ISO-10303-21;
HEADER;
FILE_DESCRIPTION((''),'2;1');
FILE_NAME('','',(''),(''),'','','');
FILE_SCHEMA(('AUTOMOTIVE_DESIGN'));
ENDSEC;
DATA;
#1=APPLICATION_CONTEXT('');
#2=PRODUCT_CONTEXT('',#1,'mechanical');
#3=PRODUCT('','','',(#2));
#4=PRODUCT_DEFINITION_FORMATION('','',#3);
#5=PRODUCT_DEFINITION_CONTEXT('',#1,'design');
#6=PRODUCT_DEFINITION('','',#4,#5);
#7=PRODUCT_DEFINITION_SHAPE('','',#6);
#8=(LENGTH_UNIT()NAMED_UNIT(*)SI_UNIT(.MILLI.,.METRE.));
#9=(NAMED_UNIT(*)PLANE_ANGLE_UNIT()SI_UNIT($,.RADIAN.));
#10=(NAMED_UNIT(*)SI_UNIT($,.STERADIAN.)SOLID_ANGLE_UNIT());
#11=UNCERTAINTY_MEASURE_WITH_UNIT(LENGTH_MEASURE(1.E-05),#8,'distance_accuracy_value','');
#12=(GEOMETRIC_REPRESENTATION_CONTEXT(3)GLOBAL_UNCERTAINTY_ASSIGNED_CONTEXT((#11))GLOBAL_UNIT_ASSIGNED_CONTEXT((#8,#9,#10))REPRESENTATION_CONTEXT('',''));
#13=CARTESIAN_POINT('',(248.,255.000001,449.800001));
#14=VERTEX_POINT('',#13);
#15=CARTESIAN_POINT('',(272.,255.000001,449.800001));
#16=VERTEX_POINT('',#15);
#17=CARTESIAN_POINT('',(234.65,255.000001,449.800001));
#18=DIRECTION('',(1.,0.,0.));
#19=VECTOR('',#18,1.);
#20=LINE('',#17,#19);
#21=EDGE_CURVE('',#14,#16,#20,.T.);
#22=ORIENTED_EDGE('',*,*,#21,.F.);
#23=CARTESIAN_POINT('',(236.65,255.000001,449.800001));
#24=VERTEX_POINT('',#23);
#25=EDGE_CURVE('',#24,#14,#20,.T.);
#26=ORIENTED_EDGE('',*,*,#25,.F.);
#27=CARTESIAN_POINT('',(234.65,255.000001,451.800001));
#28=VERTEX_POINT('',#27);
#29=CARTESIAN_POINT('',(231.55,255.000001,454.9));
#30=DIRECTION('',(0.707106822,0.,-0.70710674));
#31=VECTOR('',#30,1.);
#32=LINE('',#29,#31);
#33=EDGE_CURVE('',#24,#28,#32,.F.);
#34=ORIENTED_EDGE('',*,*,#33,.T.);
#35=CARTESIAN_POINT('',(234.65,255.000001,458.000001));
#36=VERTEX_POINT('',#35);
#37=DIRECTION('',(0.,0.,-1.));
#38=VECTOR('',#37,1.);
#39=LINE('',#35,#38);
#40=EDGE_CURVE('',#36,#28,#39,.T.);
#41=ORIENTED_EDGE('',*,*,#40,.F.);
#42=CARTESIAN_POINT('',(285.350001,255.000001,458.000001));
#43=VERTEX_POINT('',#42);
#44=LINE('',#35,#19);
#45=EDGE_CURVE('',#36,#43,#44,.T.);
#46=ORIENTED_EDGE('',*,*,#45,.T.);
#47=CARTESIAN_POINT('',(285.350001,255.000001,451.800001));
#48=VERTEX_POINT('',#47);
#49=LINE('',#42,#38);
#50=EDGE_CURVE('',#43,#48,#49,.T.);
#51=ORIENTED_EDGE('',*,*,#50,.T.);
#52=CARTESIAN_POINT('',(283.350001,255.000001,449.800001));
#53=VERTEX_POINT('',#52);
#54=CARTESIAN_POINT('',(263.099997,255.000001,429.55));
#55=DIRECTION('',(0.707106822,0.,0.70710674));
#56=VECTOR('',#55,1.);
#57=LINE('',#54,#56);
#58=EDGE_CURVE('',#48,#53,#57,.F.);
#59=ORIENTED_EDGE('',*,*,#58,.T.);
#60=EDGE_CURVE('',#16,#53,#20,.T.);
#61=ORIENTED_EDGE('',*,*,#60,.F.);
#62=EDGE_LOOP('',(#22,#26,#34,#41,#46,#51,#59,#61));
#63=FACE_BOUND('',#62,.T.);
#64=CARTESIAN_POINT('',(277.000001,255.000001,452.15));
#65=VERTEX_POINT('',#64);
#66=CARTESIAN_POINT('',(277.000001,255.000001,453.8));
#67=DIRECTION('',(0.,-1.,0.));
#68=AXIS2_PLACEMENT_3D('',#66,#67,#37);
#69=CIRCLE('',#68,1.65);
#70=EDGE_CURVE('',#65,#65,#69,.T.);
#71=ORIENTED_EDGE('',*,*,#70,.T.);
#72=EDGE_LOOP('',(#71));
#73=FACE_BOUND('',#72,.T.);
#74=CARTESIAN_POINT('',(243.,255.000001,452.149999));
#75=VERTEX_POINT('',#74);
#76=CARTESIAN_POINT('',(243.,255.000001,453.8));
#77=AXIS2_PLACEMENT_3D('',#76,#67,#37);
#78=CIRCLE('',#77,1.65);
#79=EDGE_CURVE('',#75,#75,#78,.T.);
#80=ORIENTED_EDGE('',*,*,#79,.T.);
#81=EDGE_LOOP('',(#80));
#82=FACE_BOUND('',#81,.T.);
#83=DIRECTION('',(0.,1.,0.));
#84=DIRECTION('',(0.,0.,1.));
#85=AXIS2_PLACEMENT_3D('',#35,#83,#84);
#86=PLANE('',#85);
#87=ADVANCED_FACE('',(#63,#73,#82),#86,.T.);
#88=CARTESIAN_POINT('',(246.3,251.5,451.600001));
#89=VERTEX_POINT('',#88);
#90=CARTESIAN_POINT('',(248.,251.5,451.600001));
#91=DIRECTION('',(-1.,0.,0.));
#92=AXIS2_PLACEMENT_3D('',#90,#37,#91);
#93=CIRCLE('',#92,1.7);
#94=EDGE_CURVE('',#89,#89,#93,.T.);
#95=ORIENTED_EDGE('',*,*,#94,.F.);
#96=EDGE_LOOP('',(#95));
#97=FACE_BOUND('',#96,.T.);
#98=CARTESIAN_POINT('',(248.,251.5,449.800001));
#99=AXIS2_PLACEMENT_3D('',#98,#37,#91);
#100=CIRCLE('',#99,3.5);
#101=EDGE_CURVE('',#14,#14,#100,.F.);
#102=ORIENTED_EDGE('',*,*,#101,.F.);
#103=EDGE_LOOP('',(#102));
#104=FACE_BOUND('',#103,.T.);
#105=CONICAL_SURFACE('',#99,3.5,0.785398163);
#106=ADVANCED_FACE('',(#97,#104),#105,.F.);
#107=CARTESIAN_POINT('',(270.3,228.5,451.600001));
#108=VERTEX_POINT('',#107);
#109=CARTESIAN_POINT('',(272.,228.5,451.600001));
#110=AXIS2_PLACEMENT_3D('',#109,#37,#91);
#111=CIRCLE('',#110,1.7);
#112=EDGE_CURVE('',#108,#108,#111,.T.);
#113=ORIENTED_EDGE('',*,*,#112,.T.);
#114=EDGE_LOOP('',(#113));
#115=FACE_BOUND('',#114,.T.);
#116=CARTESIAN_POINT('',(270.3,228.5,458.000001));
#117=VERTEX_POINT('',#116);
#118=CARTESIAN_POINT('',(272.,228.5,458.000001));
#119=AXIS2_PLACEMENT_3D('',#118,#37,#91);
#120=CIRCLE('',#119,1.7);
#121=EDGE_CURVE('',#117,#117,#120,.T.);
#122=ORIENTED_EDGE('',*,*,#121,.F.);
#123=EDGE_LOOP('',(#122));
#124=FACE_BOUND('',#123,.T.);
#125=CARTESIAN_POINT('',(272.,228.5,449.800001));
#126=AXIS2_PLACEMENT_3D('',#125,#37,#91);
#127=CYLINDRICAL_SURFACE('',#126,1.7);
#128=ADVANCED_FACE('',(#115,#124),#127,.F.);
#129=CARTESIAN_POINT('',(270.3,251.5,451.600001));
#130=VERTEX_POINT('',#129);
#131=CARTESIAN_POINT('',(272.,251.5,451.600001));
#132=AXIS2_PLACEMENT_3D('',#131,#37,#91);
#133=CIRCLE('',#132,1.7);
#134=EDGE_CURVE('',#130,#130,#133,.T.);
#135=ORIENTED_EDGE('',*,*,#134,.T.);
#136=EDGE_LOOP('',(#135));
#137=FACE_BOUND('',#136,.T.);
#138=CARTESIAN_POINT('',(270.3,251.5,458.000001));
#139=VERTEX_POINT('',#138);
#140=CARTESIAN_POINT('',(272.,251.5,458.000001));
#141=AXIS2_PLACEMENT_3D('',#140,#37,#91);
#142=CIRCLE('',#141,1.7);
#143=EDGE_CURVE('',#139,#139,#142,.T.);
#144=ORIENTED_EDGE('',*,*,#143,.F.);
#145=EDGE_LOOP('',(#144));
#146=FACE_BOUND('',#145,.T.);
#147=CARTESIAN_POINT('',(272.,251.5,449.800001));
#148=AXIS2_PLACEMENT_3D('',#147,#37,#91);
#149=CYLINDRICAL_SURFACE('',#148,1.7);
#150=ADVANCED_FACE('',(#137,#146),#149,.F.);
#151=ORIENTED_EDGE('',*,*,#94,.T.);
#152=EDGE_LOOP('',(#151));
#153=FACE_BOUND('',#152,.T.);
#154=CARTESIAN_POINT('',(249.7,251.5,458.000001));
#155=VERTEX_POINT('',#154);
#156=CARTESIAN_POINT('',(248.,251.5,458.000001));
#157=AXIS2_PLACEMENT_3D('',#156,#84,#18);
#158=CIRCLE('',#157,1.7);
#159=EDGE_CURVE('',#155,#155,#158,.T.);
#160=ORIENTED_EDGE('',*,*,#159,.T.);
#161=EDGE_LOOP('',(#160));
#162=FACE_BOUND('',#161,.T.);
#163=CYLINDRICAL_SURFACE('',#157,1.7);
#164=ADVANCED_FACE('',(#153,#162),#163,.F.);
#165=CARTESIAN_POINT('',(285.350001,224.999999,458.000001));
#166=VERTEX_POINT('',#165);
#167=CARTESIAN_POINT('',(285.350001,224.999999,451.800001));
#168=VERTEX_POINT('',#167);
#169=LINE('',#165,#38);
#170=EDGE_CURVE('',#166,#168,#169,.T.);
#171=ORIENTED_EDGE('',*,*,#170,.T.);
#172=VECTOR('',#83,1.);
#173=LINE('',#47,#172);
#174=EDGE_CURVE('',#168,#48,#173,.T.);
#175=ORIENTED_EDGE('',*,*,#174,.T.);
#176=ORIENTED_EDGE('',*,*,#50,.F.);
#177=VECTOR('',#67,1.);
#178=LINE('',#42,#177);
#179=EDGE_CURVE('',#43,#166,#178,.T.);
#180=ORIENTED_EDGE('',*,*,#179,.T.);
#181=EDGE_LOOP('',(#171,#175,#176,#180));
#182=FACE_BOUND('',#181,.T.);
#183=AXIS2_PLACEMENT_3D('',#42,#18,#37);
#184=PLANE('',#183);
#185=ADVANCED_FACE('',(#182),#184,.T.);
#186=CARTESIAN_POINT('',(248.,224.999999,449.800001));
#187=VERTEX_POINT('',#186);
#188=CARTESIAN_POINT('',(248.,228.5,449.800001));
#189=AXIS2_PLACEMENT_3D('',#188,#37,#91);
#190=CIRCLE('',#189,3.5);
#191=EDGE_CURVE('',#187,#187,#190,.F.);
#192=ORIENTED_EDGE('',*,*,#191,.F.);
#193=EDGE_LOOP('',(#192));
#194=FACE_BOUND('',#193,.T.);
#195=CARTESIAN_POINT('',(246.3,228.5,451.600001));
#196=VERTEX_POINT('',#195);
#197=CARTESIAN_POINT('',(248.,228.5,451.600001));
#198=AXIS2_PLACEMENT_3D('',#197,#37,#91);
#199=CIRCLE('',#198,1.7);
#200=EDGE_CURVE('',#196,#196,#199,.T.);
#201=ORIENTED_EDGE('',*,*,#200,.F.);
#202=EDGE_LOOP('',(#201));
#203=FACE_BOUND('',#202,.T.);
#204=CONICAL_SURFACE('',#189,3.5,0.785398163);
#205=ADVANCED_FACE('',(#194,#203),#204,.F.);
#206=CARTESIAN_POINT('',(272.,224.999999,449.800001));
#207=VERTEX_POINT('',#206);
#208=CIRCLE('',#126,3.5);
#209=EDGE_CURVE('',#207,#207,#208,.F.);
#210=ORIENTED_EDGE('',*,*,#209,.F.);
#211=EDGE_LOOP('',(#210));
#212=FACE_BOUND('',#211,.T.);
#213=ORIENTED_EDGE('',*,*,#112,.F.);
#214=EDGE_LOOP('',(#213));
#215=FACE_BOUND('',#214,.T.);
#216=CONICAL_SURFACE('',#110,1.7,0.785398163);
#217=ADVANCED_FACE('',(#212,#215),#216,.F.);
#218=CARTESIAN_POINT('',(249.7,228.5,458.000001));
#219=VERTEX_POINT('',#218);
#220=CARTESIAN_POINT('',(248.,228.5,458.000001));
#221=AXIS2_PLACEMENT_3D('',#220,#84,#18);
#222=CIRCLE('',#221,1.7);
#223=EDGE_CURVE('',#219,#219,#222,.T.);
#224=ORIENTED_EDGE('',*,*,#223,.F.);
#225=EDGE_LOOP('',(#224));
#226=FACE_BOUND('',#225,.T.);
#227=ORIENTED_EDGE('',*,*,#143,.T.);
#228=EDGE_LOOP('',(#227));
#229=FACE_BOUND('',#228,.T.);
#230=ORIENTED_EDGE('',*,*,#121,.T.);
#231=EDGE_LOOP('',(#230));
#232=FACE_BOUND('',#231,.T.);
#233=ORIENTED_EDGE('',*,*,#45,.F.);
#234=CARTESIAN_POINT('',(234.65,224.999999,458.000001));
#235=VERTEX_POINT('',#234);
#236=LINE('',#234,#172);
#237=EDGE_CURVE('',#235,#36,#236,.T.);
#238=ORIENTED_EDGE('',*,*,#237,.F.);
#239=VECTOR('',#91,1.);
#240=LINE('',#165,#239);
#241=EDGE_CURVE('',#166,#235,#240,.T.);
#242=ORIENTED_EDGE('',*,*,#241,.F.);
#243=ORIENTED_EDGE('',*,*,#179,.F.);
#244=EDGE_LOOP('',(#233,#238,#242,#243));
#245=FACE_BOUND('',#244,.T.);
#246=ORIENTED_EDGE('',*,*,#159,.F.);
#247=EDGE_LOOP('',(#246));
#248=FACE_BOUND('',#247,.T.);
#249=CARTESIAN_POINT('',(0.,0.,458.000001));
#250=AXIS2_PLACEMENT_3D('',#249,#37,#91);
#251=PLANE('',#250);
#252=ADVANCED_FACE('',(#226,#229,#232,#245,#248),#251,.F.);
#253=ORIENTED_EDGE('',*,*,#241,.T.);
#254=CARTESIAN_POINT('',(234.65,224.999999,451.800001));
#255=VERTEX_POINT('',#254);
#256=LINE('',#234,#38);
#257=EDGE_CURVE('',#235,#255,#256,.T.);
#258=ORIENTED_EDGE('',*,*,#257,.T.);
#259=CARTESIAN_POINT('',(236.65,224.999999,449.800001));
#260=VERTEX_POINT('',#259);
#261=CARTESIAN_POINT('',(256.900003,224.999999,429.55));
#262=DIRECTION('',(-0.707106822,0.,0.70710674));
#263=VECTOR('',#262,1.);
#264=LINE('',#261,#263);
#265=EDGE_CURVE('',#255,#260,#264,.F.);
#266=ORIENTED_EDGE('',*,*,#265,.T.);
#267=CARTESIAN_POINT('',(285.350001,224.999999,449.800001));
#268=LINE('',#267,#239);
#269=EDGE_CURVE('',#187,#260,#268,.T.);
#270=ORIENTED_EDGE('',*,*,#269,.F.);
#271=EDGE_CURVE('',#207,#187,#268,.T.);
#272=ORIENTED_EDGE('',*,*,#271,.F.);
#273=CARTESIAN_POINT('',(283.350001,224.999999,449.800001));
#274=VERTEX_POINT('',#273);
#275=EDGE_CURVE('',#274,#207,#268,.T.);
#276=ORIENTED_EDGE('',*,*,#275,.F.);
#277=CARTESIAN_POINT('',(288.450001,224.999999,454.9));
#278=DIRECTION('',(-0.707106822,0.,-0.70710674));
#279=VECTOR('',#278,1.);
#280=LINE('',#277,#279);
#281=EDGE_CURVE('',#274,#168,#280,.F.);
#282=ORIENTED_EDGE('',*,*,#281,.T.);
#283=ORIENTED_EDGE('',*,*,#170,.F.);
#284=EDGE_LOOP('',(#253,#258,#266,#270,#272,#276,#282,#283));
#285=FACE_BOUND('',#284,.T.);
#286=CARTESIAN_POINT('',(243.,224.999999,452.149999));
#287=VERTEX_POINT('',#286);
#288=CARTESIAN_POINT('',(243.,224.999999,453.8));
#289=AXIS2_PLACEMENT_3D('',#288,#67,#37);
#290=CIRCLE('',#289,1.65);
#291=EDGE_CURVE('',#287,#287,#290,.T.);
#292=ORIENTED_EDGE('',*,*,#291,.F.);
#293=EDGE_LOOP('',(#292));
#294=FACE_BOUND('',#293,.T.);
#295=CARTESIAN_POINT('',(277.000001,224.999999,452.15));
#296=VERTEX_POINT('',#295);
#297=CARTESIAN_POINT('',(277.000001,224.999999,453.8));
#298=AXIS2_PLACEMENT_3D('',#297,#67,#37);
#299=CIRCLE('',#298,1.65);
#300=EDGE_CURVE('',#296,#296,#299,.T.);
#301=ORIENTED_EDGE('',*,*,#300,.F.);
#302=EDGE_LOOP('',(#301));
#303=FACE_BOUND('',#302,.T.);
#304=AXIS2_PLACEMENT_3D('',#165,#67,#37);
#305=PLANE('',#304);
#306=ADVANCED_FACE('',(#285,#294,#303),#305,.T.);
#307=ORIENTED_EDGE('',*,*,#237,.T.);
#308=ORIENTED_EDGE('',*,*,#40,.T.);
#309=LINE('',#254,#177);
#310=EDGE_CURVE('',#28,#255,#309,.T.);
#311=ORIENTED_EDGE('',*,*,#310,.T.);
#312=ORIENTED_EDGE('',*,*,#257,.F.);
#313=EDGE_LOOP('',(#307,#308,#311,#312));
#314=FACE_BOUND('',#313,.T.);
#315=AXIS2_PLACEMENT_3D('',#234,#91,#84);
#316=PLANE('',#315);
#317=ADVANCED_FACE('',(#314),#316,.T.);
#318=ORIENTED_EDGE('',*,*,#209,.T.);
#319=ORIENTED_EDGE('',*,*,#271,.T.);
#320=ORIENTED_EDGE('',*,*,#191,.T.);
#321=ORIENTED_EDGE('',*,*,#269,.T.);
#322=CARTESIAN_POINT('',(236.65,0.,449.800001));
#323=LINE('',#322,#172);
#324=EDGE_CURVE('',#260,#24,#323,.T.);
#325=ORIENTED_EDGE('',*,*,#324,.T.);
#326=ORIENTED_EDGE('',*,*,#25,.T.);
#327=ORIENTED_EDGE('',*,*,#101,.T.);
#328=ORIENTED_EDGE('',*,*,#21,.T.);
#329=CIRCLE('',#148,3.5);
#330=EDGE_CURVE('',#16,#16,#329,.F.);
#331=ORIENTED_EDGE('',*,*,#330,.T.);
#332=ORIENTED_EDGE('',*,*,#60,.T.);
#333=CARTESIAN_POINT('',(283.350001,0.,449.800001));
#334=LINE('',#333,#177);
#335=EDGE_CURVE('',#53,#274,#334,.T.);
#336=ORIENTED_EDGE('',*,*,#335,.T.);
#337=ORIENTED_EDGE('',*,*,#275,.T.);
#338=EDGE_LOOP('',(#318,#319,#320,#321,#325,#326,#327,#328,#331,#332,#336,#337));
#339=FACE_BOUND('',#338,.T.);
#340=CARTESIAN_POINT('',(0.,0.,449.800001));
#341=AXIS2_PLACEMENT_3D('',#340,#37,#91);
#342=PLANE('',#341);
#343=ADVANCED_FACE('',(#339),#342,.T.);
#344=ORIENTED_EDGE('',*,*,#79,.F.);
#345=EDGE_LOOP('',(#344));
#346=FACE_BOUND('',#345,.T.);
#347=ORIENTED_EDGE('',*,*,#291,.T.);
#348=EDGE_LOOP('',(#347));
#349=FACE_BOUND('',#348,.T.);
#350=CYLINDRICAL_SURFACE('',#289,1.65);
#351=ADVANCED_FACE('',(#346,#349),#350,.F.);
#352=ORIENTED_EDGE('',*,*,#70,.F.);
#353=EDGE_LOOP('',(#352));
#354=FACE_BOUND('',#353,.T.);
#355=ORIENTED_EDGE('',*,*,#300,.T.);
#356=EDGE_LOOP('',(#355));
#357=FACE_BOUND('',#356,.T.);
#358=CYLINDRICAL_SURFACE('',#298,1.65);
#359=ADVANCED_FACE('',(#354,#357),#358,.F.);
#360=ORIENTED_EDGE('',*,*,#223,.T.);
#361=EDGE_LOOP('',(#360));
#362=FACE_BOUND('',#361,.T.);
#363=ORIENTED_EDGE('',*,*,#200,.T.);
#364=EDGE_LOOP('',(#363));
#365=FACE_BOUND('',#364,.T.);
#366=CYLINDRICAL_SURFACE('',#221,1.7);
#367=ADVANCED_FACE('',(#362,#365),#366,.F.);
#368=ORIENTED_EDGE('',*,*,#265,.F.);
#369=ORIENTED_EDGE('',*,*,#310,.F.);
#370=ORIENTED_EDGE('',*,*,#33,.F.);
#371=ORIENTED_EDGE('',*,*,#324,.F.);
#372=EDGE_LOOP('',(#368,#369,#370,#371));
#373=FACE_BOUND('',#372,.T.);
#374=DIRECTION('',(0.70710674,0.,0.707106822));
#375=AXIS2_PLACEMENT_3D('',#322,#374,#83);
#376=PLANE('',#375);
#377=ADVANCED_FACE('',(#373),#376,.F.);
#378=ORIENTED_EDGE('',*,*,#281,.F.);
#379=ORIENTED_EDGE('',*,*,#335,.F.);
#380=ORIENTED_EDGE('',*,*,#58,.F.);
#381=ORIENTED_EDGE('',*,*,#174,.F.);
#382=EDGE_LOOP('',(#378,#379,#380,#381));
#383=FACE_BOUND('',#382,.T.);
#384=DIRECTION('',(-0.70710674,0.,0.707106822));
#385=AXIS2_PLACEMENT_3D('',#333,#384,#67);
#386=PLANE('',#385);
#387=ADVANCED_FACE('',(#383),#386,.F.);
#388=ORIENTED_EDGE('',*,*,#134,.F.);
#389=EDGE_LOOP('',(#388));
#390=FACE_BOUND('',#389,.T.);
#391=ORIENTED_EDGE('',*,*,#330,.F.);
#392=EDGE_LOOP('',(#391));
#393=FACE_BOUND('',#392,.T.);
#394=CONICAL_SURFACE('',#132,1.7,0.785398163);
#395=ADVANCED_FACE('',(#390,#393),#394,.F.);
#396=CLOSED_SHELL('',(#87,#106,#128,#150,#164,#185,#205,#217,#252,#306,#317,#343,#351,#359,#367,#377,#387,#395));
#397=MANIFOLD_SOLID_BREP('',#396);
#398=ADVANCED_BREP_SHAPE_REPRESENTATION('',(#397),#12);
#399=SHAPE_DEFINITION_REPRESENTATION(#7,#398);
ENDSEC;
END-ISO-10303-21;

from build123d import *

# Parameters (mm, degrees)
SKETCH_1_W                  = 50.700001454
SKETCH_1_H                  = 30.000001519
EXTRUDE_1_DEPTH             = 8.20000004
HOLE_WIZARD_3_3_3_3_1_D     = 3.300000535
HOLE_WIZARD_3_3_3_3_1_DEPTH = 30.00000152
HOLE_WIZARD_3_4_3_4_1_D     = 3.4
HOLE_WIZARD_3_4_3_4_1_DEPTH = 8.20000004
HOLE_WIZARD_3_4_3_4_2_D     = 3.4
HOLE_WIZARD_3_4_3_4_2_DEPTH = 8.20000004
CHAMFER_1_SIZE              = 1.8
CHAMFER_2_SIZE2             = 2.000000328
CHAMFER_2_SIZE              = 2.000000095


with BuildPart() as part:
    # 草图1 → 凸台-拉伸1 (new body)
    with BuildSketch(Plane(origin=(0, 0, 449.800000759), x_dir=(-1, 0, 0), z_dir=(0, 0, -1))):
        with Locations((-260.000000326, 239.999999943)):
            Rectangle(SKETCH_1_W, SKETCH_1_H)
    extrude(amount=-EXTRUDE_1_DEPTH)

    # Ø3.3 (3.3) 直径孔1
    with Locations(Plane(origin=(0, 224.999999183, 0), x_dir=(-1, 0, 0), z_dir=(0, -1, 0))):
        with Locations((-277.000001292, -453.79999995), (-243.000000389, -453.799999743)):
            Hole(HOLE_WIZARD_3_3_3_3_1_D / 2, depth=HOLE_WIZARD_3_3_3_3_1_DEPTH)

    # Ø3.4 (3.4) 直径孔1
    with Locations(Plane(origin=(0, 0, 449.800000759), x_dir=(-1, 0, 0), z_dir=(0, 0, -1))):
        with Locations((-272, 251.5), (-272, 228.5)):
            Hole(HOLE_WIZARD_3_4_3_4_1_D / 2, depth=HOLE_WIZARD_3_4_3_4_1_DEPTH)

    # Ø3.4 (3.4) 直径孔2
    with Locations(Plane.XY.offset(458.0000008)):
        with Locations((248, 251.5), (248, 228.5)):
            Hole(HOLE_WIZARD_3_4_3_4_2_D / 2, depth=HOLE_WIZARD_3_4_3_4_2_DEPTH)

    # 倒角1
    chamfer_1_edges = [part.edges().sort_by_distance(p)[0] for p in [
        (270.3, 228.5, 449.800000759),
        (270.3, 251.5, 449.800000759),
        (249.7, 228.5, 449.80000076),
        (249.7, 251.5, 449.80000076),
    ]]
    chamfer(chamfer_1_edges, length=CHAMFER_1_SIZE)

    # 倒角2
    chamfer_2_edges = [part.edges().sort_by_distance(p)[0] for p in [
        (234.649999599, 239.999999942, 449.800000759),
        (285.350001053, 239.999999942, 449.800000759),
    ]]
    chamfer(chamfer_2_edges, length=CHAMFER_2_SIZE, length2=CHAMFER_2_SIZE2)


solid = part.part
